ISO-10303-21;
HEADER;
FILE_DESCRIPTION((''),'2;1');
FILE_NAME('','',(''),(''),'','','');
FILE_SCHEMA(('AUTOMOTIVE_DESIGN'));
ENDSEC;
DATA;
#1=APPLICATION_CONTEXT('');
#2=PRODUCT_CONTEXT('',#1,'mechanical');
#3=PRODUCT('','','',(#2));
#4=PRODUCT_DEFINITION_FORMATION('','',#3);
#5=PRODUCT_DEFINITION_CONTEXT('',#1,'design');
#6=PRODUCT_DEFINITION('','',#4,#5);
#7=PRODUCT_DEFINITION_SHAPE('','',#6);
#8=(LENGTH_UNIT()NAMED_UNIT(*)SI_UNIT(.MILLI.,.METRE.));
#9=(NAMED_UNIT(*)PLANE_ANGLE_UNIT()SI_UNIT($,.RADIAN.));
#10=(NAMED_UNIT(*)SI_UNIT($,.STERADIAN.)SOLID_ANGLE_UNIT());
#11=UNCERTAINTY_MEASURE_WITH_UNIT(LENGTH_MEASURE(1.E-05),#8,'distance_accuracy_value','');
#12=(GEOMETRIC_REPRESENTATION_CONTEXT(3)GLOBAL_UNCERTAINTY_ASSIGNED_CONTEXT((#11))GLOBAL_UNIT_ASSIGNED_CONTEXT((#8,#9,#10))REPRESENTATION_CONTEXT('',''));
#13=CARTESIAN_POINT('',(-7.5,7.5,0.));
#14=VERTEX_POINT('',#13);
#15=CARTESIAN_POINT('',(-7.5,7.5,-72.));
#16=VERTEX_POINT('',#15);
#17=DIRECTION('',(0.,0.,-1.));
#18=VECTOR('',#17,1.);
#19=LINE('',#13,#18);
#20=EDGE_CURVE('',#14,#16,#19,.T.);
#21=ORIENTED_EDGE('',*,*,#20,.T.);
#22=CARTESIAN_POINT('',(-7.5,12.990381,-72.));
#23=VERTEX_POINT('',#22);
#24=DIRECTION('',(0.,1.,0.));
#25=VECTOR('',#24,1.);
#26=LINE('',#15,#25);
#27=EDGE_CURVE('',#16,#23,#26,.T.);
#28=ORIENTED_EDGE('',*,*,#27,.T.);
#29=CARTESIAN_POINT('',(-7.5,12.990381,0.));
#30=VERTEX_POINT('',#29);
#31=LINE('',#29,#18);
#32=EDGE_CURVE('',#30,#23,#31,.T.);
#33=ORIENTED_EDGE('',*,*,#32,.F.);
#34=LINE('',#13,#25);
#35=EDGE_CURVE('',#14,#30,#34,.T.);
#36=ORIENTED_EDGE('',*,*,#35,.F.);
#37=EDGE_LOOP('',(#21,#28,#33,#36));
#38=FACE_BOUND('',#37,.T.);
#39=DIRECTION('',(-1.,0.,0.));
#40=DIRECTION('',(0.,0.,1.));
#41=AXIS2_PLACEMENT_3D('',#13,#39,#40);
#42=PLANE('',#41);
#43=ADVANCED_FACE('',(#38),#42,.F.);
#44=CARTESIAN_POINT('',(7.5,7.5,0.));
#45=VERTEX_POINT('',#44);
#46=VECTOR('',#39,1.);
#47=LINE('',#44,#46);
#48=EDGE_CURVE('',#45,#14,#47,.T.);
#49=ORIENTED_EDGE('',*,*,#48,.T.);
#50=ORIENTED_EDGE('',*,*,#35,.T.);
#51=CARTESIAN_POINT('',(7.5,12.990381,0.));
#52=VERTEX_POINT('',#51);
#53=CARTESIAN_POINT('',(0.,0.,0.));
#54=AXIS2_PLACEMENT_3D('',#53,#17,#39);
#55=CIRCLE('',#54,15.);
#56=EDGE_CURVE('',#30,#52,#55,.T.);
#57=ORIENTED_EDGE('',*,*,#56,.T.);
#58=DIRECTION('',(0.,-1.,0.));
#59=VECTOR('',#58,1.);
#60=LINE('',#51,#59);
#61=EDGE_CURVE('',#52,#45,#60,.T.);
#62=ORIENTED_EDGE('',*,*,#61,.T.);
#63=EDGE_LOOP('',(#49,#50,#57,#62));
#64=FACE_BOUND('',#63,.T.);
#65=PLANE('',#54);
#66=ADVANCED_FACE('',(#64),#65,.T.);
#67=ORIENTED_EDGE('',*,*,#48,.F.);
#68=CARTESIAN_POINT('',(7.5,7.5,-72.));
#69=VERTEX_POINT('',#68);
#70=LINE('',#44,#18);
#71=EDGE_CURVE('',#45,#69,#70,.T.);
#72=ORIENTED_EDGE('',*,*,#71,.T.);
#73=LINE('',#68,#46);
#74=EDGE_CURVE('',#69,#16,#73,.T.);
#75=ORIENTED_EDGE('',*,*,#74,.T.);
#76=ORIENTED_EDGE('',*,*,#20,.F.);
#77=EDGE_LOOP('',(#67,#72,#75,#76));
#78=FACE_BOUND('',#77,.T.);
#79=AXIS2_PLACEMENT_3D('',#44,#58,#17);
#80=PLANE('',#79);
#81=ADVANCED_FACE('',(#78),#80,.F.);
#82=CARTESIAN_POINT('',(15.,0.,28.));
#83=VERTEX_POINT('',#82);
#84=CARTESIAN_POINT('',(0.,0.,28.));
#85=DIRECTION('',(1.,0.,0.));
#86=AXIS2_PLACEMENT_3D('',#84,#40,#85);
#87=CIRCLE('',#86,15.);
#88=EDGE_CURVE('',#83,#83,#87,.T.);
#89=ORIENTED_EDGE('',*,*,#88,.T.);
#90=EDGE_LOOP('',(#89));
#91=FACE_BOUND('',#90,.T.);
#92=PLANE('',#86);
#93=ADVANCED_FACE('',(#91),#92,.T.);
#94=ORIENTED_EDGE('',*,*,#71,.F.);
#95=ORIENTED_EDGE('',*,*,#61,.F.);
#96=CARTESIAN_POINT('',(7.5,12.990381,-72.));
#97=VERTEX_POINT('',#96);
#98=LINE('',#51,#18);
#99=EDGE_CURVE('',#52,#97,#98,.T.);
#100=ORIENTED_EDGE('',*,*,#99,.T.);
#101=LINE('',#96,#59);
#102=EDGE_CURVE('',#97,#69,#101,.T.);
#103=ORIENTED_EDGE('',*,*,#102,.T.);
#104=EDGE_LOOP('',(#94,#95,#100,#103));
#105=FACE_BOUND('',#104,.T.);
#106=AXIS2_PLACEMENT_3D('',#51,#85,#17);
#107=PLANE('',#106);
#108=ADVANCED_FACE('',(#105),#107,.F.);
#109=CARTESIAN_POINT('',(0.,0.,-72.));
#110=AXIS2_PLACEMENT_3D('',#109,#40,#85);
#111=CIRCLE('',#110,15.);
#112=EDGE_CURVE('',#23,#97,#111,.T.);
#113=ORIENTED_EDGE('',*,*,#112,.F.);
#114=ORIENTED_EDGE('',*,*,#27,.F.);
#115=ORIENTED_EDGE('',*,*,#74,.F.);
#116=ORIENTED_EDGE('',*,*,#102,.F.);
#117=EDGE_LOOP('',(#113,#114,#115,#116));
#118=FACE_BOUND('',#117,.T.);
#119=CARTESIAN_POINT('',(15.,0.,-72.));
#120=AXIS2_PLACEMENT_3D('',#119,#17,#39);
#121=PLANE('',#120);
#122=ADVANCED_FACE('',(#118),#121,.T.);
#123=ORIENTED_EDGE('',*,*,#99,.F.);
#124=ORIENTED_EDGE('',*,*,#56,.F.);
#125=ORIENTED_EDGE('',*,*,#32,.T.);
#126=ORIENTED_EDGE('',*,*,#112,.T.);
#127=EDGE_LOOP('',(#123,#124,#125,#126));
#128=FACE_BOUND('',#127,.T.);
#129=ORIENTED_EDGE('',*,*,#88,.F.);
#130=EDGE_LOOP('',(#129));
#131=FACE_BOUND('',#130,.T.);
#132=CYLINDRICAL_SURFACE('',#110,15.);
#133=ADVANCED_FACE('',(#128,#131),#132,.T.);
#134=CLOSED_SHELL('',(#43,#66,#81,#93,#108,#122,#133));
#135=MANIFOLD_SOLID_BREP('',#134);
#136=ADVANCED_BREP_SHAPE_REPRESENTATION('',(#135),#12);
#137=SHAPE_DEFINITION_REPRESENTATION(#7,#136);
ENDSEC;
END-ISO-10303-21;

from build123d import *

# Parameters (mm, degrees)
SKETCH1_W          = 15
SKETCH1_H          = 100
CUT_EXTRUDE1_DEPTH = 72


with BuildPart() as part:
    # Sketch1 → Revolve1 (revolve)
    with BuildSketch(Plane(origin=(0, 0, 0), x_dir=(1, 0, 0), z_dir=(0, 1, 0))):
        with Locations((7.5, 22)):
            Rectangle(SKETCH1_W, SKETCH1_H)
    revolve(axis=Axis((0, 0, -72), (0, 0, 1)))

    # Sketch2 → Cut-Extrude1 (cut)
    with BuildSketch(Plane(origin=(0, 0, -72), x_dir=(-1, 0, 0), z_dir=(0, 0, -1))):
        with BuildLine():
            Line((-7.5, 12.990381057), (-7.5, 7.5))
            Line((-7.5, 7.5), (7.5, 7.5))
            Line((7.5, 7.5), (7.5, 12.990381057))
            ThreePointArc((7.5, 12.990381057), (0, 15), (-7.5, 12.990381057))
        make_face()
    extrude(amount=-CUT_EXTRUDE1_DEPTH, mode=Mode.SUBTRACT)


solid = part.part
